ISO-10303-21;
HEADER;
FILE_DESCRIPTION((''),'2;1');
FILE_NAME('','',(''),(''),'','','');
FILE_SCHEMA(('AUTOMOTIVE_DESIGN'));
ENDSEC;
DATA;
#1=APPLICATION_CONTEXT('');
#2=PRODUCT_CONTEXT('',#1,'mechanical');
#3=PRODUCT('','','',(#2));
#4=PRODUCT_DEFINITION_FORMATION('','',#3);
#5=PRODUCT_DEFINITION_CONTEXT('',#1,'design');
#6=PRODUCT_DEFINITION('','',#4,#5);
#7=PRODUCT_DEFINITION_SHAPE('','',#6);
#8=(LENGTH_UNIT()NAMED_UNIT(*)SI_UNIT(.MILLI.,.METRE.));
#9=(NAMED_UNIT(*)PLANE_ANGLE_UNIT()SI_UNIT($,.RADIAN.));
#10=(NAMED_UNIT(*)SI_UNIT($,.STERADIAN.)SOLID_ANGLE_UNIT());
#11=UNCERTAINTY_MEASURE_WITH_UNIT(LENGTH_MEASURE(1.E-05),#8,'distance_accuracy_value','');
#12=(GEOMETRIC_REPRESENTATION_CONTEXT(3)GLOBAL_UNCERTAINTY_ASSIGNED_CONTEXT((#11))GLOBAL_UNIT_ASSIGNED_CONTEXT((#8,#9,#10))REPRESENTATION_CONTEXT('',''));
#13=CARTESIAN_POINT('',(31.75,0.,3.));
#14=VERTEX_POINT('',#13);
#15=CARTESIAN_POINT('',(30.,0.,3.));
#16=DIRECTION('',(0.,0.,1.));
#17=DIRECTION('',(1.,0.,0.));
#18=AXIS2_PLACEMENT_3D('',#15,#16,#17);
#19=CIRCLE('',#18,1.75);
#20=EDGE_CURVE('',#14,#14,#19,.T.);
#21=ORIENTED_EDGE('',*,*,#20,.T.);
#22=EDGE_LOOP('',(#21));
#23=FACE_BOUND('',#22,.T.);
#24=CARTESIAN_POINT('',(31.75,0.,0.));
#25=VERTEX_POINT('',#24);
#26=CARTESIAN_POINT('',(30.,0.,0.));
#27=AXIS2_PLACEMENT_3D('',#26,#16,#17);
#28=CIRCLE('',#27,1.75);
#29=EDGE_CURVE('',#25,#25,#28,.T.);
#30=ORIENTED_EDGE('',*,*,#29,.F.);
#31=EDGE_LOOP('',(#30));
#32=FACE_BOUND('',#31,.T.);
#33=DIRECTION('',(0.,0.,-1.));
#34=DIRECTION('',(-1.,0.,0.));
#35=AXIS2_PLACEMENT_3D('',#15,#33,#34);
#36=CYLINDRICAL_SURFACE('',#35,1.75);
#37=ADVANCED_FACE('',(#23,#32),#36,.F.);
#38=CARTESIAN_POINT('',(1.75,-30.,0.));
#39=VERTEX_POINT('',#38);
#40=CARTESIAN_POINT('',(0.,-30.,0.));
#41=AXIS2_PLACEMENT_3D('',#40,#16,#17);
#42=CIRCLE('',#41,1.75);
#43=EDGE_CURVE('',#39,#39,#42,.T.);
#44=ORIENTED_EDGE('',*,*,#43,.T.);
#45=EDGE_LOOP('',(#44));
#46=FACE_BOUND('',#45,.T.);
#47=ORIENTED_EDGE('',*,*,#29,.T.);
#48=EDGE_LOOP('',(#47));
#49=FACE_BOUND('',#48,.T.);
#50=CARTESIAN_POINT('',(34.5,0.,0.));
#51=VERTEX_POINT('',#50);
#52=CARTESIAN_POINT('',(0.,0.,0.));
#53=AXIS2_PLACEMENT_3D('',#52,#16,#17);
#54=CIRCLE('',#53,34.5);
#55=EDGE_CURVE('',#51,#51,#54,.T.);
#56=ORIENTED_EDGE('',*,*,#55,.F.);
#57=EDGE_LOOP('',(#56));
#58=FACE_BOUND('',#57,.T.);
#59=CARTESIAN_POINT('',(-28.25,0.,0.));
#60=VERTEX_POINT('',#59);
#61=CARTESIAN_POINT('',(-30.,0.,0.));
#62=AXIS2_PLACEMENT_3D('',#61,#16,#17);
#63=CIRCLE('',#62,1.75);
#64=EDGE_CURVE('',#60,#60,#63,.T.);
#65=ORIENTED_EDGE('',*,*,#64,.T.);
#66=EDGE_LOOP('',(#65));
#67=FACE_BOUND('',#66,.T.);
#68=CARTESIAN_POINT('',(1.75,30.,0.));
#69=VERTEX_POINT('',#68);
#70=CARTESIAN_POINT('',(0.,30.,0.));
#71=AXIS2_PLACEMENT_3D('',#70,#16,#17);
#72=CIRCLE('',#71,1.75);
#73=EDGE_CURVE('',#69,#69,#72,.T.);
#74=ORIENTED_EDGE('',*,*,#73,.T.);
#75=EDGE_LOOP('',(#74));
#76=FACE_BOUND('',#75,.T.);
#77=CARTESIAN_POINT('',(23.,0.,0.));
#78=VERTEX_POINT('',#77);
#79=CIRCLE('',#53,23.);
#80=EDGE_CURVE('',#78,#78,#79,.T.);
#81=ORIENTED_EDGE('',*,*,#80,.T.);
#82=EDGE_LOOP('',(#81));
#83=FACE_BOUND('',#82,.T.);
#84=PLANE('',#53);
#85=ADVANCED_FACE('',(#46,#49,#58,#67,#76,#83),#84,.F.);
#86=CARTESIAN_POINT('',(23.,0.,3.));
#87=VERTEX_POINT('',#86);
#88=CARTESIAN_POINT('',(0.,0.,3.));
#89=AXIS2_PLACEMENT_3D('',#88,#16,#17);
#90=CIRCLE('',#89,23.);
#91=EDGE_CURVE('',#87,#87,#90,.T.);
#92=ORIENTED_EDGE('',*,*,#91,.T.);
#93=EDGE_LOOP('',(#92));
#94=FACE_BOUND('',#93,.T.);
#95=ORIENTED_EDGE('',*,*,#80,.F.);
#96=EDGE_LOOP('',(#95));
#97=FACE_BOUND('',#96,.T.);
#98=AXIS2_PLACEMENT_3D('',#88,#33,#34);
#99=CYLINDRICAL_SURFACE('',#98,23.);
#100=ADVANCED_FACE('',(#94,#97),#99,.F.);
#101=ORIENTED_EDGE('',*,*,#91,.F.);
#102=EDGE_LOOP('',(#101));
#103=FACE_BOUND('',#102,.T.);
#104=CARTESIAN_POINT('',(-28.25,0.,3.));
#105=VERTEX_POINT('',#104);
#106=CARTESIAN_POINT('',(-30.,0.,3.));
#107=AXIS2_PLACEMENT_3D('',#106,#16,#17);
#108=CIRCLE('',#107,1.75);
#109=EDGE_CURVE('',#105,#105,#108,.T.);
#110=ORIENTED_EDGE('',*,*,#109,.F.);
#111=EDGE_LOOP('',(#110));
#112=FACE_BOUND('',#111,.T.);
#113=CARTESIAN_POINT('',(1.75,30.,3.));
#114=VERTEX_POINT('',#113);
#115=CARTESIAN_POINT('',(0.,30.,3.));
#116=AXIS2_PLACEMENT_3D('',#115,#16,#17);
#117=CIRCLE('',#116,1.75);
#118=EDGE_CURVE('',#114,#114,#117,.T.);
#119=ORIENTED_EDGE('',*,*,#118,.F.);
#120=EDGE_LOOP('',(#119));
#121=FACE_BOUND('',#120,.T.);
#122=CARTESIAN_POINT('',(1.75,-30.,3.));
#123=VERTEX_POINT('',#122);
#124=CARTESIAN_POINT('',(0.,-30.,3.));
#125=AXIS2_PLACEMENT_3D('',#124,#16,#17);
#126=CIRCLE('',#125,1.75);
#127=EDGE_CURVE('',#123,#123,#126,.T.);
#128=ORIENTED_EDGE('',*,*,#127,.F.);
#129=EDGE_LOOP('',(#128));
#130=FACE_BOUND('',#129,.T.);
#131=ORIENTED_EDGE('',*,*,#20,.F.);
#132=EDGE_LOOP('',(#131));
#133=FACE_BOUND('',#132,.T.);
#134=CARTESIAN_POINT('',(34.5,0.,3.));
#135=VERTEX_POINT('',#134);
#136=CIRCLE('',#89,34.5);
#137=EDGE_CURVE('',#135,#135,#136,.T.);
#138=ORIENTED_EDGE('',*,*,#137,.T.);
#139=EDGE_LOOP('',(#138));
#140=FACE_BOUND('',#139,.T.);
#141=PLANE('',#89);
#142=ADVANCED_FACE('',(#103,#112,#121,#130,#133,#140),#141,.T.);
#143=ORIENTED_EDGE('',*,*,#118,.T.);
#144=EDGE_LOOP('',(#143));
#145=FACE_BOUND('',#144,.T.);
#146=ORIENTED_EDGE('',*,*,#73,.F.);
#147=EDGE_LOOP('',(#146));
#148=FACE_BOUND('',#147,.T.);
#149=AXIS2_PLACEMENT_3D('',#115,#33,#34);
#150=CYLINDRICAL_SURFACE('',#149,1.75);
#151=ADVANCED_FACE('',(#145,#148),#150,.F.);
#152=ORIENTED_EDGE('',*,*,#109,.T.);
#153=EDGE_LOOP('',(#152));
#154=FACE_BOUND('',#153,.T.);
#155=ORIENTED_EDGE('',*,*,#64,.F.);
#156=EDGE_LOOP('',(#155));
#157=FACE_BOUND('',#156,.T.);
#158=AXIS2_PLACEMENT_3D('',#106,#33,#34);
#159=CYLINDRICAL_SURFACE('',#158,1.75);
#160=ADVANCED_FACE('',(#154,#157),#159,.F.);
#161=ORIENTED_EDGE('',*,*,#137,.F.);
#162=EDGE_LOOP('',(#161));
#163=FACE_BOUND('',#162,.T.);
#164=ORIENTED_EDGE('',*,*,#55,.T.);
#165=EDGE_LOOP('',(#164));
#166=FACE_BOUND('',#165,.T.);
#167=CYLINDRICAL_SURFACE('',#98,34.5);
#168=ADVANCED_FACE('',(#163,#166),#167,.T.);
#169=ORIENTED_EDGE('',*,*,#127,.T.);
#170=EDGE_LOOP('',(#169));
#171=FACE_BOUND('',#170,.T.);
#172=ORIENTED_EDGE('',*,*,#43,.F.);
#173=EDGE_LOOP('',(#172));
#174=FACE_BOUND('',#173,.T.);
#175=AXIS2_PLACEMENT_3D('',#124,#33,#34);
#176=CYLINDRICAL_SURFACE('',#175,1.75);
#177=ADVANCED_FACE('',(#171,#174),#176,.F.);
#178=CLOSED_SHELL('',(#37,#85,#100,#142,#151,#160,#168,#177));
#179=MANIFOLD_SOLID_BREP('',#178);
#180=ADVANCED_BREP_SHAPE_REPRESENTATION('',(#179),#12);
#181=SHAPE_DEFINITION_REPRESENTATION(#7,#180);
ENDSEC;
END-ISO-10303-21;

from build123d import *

# Parameters (mm, degrees)
SKETCH1_R           = 34.5
SKETCH1_R_2         = 23
SKETCH1_R_3         = 1.75
BOSS_EXTRUDE1_DEPTH = 3


with BuildPart() as part:
    # Sketch1 → Boss-Extrude1 (new body)
    with BuildSketch(Plane.XY):
        Circle(SKETCH1_R)
        Circle(SKETCH1_R_2, mode=Mode.SUBTRACT)
        with Locations((0, 30)):
            Circle(SKETCH1_R_3, mode=Mode.SUBTRACT)
        with Locations((30, 0)):
            Circle(SKETCH1_R_3, mode=Mode.SUBTRACT)
        with Locations((0, -30)):
            Circle(SKETCH1_R_3, mode=Mode.SUBTRACT)
        with Locations((-30, 0)):
            Circle(SKETCH1_R_3, mode=Mode.SUBTRACT)
    extrude(amount=BOSS_EXTRUDE1_DEPTH)


solid = part.part
